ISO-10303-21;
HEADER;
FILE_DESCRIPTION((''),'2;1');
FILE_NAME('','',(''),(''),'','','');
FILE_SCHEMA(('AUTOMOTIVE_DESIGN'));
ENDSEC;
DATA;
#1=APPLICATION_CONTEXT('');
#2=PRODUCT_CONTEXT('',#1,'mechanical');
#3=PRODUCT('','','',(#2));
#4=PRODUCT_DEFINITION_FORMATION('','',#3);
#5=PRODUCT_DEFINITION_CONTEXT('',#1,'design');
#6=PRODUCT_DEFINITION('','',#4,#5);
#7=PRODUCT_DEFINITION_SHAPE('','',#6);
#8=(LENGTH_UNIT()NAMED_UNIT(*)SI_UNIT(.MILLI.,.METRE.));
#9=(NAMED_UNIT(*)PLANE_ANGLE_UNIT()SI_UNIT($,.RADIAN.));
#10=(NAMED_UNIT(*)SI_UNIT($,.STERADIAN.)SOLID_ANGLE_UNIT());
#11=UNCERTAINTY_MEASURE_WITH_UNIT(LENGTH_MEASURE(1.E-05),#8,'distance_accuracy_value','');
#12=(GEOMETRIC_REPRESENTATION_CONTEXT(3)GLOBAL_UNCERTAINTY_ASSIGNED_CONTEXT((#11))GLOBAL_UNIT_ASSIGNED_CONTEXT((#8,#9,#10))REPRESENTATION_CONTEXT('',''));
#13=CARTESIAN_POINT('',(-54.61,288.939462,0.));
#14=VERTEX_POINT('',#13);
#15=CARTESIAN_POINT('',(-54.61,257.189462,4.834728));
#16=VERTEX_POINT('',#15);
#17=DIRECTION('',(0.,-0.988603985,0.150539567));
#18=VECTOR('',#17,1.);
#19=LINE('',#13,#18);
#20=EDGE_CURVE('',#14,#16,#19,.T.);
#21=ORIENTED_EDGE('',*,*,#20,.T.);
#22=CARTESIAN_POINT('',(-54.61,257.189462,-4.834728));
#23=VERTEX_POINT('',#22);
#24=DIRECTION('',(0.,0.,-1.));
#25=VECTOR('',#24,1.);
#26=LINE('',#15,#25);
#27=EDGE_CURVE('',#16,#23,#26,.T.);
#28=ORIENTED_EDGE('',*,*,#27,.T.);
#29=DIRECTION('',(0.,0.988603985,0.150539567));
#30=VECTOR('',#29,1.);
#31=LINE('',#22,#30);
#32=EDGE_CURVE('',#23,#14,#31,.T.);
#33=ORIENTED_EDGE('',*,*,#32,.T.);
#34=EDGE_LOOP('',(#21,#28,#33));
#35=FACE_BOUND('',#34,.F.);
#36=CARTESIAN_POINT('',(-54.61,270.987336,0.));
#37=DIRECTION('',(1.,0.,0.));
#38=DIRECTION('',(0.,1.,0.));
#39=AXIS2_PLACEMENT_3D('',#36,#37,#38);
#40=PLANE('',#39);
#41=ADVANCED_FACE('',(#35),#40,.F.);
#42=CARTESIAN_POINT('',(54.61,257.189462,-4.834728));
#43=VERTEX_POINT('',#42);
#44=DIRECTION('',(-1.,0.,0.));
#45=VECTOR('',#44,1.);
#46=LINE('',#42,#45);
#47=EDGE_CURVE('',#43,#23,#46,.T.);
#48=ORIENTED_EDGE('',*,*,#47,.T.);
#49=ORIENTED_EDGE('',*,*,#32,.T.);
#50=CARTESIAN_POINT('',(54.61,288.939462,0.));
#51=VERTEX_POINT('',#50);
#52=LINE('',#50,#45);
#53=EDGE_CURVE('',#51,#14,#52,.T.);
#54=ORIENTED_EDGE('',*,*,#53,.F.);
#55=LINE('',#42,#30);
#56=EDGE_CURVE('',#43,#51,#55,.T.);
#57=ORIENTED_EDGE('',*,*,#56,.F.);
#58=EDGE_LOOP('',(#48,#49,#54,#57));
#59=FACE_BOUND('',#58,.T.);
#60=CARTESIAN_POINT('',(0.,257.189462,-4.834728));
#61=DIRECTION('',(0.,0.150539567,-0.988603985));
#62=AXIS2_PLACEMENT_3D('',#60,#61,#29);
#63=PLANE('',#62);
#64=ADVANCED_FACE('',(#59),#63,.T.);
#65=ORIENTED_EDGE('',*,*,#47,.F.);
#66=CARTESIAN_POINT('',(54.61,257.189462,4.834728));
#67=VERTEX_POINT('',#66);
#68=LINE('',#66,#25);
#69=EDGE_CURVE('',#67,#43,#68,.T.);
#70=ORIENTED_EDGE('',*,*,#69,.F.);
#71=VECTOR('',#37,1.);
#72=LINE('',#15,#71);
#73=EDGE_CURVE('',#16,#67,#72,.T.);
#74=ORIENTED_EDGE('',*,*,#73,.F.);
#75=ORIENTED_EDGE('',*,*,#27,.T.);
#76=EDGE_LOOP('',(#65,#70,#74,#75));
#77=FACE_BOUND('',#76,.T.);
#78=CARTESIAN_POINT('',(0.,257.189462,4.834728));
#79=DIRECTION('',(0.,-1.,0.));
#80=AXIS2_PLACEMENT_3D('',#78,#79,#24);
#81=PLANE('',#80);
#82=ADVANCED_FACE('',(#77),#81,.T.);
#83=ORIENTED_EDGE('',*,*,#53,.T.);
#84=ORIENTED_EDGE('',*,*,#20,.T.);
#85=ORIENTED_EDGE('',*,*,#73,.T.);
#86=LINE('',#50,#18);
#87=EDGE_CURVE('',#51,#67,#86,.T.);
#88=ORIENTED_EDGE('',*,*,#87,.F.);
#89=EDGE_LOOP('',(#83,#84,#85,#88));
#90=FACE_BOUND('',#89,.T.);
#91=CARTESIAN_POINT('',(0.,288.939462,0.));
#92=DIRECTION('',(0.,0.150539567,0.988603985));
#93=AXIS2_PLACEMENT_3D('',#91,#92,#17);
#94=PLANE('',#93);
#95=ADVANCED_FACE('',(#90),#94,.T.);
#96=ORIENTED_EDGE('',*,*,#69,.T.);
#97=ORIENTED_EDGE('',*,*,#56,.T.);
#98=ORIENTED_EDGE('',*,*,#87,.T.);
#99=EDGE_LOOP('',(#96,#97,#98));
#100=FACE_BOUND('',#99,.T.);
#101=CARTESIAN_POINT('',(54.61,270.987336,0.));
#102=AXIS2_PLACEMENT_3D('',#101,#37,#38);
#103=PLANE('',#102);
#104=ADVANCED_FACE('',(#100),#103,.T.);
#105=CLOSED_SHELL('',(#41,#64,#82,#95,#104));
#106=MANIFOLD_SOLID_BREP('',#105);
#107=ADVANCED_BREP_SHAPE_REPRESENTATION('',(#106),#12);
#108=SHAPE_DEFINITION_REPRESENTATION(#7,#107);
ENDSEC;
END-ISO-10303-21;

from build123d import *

# Parameters (mm, degrees)
F1_DEPTH = 54.61


with BuildPart() as f1:
    # F0 (on Right) → F1 (new body, symmetric)
    with BuildSketch(Plane.YZ):
        Polygon((288.9394617585, 0), (257.1894617585, 4.8347278773), (257.1894617585, -4.8347278773), align=None)
    extrude(amount=F1_DEPTH, both=True)


solid = f1.part
